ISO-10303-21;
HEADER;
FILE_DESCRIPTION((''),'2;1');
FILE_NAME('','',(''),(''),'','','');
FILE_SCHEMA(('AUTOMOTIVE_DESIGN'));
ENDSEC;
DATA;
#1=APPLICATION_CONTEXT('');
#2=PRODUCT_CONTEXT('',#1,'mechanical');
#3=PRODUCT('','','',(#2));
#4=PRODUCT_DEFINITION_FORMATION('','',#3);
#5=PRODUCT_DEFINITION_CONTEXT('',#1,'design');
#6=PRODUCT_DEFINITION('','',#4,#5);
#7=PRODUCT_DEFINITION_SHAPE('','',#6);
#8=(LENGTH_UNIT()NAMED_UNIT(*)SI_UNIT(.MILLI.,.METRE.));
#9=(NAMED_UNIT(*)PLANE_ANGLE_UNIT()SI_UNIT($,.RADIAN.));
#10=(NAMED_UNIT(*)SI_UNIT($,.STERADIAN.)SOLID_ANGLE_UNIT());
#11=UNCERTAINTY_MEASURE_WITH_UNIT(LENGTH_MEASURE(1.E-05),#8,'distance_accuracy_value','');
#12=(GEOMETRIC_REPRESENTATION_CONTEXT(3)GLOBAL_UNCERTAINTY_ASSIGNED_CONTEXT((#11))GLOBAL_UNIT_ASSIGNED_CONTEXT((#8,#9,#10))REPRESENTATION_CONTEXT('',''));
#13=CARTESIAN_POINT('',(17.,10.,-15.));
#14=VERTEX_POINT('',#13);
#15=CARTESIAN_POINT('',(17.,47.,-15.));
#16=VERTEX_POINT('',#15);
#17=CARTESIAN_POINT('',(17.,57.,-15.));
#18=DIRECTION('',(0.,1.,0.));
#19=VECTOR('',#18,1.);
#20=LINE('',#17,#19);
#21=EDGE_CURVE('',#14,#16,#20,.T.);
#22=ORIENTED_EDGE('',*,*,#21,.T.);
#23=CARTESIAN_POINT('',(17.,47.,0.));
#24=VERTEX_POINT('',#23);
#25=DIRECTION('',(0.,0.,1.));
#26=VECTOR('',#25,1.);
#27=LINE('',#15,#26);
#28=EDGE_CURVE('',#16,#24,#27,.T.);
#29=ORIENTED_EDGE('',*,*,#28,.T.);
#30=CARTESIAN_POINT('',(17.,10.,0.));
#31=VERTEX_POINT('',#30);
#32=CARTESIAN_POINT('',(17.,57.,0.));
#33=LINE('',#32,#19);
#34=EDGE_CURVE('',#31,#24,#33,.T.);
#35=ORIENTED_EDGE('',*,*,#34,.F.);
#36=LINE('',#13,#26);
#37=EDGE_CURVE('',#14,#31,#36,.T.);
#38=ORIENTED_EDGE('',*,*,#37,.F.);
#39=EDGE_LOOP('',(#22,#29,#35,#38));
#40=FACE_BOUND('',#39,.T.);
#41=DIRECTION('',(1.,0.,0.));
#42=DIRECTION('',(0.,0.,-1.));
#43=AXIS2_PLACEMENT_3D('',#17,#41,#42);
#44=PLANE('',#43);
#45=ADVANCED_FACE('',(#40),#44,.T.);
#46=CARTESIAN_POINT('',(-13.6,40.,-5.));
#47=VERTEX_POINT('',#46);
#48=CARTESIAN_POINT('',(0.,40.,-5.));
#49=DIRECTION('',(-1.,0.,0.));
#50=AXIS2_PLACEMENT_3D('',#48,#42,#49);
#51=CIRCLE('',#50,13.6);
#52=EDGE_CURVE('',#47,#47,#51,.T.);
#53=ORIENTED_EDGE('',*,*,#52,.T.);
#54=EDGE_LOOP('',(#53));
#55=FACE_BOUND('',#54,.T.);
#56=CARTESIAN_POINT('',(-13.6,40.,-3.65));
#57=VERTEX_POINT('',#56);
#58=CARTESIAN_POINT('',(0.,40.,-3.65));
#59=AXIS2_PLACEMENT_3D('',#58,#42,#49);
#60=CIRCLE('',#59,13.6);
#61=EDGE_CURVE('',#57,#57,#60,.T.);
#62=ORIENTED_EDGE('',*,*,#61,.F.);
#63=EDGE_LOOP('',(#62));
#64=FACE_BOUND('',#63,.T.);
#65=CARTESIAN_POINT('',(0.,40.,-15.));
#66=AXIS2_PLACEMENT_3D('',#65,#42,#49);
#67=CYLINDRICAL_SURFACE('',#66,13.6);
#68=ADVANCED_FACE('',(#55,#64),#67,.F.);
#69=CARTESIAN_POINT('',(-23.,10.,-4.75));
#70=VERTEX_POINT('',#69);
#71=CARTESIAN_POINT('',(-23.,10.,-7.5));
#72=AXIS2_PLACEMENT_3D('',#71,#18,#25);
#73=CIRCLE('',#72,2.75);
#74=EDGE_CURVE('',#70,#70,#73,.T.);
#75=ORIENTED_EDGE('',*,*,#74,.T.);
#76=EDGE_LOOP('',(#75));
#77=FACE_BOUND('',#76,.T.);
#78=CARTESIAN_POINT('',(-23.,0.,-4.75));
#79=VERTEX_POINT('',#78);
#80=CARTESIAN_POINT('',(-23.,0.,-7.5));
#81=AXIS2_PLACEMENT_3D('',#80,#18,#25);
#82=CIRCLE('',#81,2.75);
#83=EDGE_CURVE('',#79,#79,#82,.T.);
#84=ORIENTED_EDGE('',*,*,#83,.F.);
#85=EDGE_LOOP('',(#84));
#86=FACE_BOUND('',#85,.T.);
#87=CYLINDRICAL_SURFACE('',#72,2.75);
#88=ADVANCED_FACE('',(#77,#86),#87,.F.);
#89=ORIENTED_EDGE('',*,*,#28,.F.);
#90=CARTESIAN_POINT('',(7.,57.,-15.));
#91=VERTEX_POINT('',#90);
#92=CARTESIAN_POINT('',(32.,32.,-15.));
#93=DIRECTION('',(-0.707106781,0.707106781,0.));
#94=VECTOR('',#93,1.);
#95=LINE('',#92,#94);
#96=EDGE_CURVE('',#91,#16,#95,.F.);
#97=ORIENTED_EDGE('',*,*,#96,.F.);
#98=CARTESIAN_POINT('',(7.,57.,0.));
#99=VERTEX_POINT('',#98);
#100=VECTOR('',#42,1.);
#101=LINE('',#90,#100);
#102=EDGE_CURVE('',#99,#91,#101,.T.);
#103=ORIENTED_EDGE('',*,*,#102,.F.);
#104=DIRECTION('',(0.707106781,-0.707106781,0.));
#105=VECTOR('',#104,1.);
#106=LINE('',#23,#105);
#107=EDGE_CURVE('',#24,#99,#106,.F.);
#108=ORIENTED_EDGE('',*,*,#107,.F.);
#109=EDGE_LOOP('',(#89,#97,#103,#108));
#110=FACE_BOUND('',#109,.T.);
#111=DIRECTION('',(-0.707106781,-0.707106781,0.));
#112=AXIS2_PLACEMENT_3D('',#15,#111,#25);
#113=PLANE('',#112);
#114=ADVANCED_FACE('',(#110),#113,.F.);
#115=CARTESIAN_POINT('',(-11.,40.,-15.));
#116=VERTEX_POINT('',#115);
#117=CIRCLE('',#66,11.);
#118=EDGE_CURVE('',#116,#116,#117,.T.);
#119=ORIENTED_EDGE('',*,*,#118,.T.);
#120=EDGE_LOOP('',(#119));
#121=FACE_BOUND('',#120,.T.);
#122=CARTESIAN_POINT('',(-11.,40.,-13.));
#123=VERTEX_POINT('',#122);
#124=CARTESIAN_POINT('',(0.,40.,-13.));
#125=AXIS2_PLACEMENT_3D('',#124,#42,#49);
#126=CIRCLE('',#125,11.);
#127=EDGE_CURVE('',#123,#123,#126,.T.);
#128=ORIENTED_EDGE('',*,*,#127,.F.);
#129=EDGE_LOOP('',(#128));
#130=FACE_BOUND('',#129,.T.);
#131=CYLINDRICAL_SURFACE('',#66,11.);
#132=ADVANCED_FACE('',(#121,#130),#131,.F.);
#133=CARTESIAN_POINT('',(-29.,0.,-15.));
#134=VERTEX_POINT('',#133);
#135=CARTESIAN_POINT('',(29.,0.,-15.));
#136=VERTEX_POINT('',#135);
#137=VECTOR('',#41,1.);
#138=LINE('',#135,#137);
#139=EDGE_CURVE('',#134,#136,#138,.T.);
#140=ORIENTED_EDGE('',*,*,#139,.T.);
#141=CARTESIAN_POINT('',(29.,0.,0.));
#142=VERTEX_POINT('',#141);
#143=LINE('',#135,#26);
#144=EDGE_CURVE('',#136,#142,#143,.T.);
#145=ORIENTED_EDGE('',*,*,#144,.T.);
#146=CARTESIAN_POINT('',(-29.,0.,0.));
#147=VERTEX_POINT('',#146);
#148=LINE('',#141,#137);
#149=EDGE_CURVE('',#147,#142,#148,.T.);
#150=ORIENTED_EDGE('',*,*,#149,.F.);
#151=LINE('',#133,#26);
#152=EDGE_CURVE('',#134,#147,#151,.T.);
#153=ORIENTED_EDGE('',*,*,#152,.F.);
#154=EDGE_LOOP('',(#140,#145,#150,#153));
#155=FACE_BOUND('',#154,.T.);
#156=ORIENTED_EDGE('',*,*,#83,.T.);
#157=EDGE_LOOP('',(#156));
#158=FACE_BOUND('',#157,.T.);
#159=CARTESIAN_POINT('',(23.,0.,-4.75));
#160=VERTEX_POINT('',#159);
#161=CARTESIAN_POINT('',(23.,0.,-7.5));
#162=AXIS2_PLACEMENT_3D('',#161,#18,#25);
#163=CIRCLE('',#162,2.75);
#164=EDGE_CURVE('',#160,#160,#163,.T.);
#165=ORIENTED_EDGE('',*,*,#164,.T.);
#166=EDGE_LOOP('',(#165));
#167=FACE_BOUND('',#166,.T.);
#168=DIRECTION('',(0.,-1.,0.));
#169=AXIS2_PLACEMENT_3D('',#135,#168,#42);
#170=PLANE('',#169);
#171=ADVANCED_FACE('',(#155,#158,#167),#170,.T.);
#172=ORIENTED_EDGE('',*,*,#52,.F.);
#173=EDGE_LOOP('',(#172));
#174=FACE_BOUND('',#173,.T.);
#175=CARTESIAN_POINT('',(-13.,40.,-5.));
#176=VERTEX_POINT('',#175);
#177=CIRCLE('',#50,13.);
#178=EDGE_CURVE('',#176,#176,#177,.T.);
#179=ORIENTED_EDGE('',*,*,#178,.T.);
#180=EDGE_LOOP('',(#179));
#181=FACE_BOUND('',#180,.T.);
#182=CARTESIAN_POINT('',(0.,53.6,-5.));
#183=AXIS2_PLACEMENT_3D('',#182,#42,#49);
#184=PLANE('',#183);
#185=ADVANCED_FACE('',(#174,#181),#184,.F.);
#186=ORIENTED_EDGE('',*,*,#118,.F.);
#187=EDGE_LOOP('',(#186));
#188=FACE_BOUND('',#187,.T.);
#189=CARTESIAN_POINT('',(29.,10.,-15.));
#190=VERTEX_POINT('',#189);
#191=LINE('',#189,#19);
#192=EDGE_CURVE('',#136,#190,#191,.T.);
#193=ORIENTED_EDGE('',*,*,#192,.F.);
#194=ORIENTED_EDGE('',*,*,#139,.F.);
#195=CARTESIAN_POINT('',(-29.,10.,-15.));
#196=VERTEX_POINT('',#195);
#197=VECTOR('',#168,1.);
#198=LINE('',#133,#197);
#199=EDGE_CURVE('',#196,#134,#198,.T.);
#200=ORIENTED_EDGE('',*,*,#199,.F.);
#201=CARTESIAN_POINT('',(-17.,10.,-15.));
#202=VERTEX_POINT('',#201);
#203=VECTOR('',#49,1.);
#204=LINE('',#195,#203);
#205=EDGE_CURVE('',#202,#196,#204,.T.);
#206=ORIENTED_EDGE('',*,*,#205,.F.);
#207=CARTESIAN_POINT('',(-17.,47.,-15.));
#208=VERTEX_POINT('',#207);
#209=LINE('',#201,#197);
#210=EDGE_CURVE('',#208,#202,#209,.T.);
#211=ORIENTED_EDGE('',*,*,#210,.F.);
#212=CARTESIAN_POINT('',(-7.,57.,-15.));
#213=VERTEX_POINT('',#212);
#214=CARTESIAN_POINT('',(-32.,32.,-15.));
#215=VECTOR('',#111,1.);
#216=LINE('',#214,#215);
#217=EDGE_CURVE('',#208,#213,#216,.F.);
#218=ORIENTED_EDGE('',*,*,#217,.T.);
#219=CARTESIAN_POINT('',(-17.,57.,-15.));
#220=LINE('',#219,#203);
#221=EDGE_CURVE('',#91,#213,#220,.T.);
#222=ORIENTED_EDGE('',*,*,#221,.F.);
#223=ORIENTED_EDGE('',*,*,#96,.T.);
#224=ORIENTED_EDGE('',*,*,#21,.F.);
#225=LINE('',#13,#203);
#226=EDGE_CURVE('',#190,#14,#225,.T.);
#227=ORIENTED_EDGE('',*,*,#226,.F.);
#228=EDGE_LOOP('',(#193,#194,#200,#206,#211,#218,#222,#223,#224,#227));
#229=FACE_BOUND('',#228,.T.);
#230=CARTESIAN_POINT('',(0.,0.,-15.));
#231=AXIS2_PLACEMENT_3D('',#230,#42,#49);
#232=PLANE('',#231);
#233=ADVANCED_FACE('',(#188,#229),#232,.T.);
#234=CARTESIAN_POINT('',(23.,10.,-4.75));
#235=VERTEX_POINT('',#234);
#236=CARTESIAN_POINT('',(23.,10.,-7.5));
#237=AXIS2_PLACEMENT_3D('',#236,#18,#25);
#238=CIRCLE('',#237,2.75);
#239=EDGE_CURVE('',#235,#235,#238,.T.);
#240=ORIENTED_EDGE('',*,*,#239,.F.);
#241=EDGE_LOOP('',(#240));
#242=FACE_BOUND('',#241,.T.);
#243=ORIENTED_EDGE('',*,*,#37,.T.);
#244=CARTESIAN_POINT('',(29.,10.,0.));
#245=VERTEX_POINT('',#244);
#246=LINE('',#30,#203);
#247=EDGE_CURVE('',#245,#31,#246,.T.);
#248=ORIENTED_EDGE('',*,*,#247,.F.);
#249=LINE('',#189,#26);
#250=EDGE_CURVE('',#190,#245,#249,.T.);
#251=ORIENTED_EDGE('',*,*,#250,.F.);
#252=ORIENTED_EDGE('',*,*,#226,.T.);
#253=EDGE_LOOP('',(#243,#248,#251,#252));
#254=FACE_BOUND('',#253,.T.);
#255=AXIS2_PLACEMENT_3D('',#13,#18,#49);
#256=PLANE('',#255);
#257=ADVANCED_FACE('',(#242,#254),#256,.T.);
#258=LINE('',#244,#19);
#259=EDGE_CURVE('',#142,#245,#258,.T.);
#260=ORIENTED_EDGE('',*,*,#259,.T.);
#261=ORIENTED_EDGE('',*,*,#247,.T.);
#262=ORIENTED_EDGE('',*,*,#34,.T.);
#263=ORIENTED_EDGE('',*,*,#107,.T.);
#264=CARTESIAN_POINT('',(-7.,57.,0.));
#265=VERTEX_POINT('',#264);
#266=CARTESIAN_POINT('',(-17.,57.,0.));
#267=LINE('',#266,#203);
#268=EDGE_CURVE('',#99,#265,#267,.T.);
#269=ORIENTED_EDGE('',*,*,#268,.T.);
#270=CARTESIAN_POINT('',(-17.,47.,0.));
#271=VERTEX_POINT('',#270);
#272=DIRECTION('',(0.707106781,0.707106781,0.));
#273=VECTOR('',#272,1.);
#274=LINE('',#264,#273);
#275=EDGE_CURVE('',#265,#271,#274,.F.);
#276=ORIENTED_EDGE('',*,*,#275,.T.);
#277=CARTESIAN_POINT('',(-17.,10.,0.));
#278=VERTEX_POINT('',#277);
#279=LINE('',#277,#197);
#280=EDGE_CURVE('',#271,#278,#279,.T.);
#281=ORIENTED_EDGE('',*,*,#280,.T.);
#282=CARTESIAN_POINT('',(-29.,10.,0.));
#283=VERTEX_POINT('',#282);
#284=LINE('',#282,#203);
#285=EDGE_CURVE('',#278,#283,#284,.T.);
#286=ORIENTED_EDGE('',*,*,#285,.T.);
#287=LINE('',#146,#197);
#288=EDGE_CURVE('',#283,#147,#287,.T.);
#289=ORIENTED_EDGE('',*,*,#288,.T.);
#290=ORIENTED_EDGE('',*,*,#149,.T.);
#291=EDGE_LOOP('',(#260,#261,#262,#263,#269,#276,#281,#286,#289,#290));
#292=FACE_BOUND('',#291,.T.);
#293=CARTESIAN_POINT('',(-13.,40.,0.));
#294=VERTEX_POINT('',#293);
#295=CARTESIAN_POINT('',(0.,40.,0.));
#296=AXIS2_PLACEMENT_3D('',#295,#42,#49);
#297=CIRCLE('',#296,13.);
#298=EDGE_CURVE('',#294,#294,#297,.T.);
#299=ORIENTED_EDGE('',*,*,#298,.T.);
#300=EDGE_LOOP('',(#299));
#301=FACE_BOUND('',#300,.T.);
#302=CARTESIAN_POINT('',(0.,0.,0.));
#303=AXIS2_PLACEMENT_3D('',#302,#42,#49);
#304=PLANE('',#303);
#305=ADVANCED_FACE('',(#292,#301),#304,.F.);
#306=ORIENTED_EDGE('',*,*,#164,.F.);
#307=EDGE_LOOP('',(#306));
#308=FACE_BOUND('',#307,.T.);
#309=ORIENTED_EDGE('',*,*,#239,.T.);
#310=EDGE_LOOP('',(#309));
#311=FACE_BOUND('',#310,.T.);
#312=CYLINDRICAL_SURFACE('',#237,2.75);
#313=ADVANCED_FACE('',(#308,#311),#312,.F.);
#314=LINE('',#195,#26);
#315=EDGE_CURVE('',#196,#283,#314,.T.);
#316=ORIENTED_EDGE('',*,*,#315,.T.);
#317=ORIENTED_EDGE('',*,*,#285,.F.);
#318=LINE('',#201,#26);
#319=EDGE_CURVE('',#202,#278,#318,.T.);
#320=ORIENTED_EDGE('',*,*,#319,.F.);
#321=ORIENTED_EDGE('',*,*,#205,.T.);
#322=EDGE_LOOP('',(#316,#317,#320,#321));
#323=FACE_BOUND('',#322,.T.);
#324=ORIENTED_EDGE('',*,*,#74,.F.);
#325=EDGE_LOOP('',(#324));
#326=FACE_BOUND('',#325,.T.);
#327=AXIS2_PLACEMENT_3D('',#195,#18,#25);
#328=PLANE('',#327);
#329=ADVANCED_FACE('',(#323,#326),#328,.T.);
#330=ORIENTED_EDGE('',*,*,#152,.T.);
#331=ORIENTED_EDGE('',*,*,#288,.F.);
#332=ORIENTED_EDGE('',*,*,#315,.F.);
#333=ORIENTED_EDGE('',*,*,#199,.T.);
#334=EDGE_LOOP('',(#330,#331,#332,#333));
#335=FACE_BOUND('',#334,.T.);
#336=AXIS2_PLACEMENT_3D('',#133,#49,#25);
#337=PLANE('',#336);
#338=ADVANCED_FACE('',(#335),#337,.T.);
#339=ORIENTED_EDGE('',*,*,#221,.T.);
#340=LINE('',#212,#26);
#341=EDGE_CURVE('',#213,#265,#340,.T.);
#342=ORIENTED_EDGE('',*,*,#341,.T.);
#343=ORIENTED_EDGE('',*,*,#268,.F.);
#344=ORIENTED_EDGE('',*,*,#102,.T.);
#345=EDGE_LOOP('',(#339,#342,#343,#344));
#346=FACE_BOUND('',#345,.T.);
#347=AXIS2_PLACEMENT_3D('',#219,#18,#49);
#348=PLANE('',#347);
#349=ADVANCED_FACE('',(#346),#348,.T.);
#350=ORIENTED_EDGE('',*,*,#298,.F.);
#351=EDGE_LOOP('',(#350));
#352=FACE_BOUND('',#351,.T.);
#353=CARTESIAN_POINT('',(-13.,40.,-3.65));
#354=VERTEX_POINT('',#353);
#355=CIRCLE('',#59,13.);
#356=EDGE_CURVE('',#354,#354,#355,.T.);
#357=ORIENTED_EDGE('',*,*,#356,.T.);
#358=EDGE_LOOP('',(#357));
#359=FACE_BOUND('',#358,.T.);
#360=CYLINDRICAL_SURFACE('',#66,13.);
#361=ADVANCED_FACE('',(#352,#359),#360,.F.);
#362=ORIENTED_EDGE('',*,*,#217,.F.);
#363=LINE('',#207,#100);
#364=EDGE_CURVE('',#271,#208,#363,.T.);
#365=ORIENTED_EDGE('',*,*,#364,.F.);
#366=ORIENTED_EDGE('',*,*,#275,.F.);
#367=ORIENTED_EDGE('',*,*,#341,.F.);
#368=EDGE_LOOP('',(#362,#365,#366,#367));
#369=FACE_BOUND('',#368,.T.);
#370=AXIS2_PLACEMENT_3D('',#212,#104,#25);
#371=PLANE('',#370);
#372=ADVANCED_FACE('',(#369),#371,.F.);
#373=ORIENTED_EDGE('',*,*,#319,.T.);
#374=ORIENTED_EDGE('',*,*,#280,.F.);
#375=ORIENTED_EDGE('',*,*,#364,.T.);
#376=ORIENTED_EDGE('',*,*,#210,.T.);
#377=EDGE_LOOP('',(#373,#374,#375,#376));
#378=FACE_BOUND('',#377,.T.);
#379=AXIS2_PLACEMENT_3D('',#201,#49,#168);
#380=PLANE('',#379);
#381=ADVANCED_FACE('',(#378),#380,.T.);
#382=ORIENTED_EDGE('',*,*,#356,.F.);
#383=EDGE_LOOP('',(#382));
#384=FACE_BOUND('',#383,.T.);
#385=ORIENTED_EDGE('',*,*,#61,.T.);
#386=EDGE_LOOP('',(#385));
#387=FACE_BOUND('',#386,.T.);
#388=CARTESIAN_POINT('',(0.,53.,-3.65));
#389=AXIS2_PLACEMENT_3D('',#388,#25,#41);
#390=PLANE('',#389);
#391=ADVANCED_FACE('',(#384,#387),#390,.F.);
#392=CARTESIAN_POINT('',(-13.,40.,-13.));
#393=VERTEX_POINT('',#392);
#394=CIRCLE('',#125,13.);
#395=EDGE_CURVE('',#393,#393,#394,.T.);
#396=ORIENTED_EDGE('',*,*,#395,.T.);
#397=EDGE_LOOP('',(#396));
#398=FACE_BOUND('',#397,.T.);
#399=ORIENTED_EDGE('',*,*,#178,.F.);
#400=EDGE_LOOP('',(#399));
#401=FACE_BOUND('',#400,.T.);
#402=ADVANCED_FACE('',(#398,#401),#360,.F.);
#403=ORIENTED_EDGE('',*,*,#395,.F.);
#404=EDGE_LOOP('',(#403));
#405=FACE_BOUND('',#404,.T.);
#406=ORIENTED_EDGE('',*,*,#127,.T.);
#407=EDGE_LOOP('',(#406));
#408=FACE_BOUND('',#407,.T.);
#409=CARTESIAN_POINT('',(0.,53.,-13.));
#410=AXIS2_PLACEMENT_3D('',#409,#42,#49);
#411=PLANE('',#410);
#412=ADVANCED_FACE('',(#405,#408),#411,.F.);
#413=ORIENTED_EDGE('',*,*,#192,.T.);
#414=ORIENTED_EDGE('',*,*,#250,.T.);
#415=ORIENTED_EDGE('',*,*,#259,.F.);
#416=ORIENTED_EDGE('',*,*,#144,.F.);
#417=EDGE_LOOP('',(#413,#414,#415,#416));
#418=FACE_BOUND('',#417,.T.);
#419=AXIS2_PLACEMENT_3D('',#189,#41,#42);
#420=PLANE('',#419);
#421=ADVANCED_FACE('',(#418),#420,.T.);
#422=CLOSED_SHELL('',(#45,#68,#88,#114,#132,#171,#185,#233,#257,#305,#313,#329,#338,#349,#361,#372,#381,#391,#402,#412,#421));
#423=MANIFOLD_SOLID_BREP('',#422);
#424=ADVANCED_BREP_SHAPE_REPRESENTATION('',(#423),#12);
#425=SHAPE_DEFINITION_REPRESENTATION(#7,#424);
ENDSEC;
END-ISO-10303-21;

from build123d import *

# Parameters (mm, degrees)
BOSS_EXTRUDE1_DEPTH = 15
DIAMETER_HOLE1_D    = 5.5
CHAMFER1_SIZE       = 10


with BuildPart() as part:
    # Sketch1 → Boss-Extrude1 (new body)
    with BuildSketch(Plane.XY):
        Polygon((-17, 57), (17, 57), (17, 10), (29, 10), (29, 0), (-29, 0), (-29, 10), (-17, 10), align=None)
    extrude(amount=-BOSS_EXTRUDE1_DEPTH)

    # Sketch2 → Cut-Revolve1 (revolve, cut)
    with BuildSketch(Plane(origin=(0, 0, 0), x_dir=(0, 0, -1), z_dir=(1, 0, 0))):
        Polygon((3.65, 53), (3.65, 53.6), (5, 53.6), (5, 53), (13, 53), (13, 51), (15, 51), (15, 40), (0, 40), (0, 53), align=None)
    revolve(axis=Axis((0, 40, -15), (0, 0, 1)), mode=Mode.SUBTRACT)

    # Diameter Hole1 (through all)
    with Locations(Plane(origin=(0, 10, 0), x_dir=(1, 0, 0), z_dir=(0, 1, 0))):
        with Locations((-23, 7.5), (23, 7.5)):
            Hole(DIAMETER_HOLE1_D / 2)

    # Chamfer1
    chamfer1_edges = [part.edges().sort_by_distance(p)[0] for p in [
        (-17, 57, -7.5),
        (17, 57, -7.5),
    ]]
    chamfer(chamfer1_edges, length=CHAMFER1_SIZE)


solid = part.part
